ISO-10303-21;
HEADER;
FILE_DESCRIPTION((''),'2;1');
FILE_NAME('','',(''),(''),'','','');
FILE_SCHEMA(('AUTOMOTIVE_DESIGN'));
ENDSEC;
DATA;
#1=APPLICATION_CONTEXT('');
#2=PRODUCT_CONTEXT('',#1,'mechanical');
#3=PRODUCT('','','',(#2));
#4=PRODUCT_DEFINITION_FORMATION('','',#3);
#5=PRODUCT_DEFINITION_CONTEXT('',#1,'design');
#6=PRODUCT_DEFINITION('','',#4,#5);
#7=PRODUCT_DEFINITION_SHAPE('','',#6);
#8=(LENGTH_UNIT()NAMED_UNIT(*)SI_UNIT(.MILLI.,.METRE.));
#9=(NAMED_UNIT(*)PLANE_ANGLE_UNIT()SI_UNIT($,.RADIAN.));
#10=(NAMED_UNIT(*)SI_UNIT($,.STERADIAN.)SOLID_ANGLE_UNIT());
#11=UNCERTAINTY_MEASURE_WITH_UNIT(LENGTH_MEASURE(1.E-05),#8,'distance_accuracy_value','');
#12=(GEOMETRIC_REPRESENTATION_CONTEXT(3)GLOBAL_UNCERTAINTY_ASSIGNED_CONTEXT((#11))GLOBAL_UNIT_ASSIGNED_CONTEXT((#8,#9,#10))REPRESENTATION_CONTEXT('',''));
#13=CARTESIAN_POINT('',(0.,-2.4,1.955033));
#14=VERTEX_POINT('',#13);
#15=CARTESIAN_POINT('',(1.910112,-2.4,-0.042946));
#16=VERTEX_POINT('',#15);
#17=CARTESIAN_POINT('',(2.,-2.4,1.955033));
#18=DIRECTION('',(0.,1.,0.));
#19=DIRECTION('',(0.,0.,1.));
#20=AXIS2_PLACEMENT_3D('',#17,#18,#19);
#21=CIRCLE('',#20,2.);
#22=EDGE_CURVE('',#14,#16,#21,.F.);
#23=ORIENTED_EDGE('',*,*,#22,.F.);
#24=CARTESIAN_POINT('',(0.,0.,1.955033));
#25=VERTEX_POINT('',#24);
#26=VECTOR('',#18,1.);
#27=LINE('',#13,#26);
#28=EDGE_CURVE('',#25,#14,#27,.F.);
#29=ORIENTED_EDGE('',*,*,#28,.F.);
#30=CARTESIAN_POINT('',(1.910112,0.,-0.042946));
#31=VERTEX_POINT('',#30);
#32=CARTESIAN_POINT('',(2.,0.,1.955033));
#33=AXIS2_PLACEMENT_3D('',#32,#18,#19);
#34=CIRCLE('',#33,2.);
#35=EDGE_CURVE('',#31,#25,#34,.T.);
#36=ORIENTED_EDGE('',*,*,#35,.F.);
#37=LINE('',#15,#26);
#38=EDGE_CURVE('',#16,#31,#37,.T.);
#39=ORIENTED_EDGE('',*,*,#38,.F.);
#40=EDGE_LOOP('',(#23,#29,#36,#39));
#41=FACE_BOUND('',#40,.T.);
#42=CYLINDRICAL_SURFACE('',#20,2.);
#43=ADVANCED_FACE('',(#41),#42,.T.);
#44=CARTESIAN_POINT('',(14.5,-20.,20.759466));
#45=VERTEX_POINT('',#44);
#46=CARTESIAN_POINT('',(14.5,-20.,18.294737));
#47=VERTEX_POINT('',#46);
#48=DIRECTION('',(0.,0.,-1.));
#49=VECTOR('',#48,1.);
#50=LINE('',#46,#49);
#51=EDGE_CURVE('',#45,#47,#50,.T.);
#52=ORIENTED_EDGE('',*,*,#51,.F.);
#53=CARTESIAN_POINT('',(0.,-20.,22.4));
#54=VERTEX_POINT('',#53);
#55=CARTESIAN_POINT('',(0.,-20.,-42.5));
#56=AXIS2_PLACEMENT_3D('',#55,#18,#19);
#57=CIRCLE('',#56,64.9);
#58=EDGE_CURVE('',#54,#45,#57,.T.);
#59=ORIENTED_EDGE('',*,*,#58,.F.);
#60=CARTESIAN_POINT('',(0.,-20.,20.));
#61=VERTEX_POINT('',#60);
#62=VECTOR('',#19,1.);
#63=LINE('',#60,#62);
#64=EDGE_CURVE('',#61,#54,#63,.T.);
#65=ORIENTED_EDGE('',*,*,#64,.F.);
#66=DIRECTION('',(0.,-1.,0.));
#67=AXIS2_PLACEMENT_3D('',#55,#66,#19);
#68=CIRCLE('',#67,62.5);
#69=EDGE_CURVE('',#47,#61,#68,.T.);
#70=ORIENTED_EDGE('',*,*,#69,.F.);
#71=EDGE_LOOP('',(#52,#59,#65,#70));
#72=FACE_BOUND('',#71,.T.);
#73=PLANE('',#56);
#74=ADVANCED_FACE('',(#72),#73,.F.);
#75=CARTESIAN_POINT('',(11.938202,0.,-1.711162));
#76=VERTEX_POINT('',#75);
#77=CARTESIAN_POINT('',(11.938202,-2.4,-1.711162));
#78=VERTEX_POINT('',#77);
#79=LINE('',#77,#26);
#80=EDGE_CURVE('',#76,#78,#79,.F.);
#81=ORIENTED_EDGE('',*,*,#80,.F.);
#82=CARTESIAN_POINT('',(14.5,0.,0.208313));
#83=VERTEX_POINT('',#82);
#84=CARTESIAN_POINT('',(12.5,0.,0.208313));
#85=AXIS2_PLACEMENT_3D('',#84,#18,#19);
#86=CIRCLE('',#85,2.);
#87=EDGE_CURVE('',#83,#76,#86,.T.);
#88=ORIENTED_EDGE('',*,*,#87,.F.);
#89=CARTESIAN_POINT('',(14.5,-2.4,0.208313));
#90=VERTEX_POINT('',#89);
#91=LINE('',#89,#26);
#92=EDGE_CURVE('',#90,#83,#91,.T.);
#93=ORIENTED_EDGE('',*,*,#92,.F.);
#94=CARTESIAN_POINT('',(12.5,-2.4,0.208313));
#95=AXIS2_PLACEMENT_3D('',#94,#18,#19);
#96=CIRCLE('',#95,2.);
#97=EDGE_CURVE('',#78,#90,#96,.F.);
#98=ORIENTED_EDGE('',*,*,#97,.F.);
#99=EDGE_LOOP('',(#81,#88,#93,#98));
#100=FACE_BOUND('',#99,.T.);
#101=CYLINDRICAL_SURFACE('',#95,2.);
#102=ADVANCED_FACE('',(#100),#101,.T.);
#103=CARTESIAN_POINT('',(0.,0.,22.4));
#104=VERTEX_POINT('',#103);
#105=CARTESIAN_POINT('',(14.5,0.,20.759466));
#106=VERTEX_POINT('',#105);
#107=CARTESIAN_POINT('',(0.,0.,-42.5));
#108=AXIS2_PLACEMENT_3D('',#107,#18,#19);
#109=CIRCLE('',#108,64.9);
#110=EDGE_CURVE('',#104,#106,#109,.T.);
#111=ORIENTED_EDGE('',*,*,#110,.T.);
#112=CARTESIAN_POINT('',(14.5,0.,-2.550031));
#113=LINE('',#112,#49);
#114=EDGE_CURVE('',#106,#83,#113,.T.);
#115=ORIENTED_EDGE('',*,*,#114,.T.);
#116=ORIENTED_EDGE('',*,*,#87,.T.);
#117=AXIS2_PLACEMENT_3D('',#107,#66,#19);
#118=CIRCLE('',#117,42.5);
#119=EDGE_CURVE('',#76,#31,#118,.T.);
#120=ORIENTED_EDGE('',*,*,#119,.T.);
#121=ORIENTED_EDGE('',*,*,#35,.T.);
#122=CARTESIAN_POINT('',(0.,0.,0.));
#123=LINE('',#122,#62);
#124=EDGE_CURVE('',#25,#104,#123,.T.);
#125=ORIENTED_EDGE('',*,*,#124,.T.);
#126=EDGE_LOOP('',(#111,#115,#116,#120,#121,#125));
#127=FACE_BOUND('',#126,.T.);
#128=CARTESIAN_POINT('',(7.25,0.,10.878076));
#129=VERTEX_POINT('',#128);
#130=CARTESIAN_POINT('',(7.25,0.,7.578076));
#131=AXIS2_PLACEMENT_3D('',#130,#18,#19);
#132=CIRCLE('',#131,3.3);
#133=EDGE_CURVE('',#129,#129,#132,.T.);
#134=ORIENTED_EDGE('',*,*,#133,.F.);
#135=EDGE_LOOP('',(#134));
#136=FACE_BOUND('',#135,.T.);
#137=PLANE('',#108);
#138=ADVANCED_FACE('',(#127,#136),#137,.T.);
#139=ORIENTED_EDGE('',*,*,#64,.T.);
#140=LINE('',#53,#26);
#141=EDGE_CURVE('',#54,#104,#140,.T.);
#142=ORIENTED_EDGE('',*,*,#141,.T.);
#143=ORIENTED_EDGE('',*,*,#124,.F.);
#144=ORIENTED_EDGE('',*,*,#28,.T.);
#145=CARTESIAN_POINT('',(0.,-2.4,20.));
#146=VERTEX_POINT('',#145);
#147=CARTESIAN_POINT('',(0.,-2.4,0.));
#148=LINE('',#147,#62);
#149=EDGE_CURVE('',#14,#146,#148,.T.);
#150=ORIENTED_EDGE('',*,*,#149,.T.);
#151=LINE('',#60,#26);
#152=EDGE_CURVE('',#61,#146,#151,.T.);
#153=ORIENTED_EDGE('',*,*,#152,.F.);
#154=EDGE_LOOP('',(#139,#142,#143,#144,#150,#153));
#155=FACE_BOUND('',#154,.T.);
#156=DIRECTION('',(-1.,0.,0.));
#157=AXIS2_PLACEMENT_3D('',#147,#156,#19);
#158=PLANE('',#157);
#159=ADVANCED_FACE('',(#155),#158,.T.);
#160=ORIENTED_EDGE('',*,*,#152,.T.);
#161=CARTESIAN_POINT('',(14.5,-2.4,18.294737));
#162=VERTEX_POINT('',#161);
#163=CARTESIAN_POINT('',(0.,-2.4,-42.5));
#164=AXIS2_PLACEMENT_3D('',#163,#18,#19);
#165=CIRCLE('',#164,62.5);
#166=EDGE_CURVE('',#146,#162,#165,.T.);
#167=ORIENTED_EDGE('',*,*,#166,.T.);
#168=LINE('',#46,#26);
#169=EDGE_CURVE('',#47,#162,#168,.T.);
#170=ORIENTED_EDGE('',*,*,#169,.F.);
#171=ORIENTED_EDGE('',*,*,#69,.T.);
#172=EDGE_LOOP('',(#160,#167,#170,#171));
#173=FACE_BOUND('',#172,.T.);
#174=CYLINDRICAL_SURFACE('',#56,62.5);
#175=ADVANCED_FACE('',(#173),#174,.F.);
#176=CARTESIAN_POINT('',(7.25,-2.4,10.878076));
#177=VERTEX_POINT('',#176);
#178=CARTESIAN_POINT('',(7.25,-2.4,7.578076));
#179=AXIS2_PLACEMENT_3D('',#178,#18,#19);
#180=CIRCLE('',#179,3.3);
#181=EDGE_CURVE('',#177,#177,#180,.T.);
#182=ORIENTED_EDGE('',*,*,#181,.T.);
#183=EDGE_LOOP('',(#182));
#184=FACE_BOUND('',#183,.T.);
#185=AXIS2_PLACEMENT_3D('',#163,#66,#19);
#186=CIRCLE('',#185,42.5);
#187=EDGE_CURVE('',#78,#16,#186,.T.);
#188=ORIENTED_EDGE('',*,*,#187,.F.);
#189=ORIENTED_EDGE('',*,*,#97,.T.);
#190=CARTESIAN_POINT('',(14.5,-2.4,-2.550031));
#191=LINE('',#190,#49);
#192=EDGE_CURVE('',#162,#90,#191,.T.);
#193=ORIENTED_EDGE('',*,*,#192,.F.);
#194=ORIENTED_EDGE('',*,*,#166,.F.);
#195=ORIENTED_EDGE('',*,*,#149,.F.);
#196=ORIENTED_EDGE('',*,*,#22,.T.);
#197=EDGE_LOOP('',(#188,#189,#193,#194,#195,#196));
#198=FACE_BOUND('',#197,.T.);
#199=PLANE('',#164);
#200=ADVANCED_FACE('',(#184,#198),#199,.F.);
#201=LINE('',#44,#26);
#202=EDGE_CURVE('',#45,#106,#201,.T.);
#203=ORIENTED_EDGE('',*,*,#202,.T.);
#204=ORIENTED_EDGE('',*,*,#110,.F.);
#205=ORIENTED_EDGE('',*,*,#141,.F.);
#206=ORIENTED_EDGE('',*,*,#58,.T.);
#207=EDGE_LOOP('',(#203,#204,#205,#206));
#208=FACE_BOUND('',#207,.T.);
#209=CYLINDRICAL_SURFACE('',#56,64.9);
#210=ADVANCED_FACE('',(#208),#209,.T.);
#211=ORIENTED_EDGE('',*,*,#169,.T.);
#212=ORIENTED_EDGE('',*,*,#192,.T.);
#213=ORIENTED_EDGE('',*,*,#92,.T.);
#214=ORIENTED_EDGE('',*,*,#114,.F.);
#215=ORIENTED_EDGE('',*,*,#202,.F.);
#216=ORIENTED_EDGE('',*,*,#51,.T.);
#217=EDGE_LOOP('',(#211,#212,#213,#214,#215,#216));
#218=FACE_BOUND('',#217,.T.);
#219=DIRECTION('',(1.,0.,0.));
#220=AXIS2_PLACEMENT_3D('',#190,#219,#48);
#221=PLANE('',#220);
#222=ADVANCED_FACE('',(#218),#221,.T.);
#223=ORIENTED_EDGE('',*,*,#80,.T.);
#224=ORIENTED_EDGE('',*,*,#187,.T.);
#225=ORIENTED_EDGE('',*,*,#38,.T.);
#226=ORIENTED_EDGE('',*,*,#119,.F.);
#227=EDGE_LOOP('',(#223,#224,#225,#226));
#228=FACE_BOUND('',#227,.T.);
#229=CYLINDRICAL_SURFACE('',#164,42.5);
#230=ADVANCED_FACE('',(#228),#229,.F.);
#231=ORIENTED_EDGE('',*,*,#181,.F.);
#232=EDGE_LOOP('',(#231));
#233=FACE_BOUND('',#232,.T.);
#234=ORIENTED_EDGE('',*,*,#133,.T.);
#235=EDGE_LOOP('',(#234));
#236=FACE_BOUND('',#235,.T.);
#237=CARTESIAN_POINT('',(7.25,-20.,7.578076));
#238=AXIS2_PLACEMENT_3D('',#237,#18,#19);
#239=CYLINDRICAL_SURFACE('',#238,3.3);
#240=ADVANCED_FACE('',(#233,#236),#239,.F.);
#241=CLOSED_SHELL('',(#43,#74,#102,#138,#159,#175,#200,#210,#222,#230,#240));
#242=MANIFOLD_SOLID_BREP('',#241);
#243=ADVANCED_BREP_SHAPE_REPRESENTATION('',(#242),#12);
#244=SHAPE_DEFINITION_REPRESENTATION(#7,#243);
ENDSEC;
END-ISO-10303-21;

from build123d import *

# Parameters (mm, degrees)
BOSS_EXTRUDE1_DEPTH = 2.4
BOSS_EXTRUDE3_DEPTH = 20
FILLET2_R           = 2
SKETCH7_R           = 3.3
CUT_EXTRUDE1_DEPTH  = 34.346813941


with BuildPart() as part:
    # Sketch4 → Boss-Extrude1 (new body)
    with BuildSketch(Plane(origin=(0, 0, 0), x_dir=(1, 0, 0), z_dir=(0, 1, 0))):
        with BuildLine():
            Line((0, 0), (0, -20))
            ThreePointArc((0, -20), (7.299964439, -19.572220189), (14.5, -18.294736614))
            Line((14.5, -18.294736614), (14.5, 2.550031289))
            ThreePointArc((14.5, 2.550031289), (7.361261094, 0.642362285), (0, 0))
        make_face()
    extrude(amount=-BOSS_EXTRUDE1_DEPTH)

    # Sketch6 → Boss-Extrude3 (add)
    with BuildSketch(Plane(origin=(0, 0, 0), x_dir=(1, 0, 0), z_dir=(0, 1, 0))):
        with BuildLine():
            Line((0, -20), (0, -22.4))
            ThreePointArc((0, -22.4), (7.296255081, -21.988562256), (14.5, -20.759465695))
            Line((14.5, -20.759465695), (14.5, -18.294736614))
            ThreePointArc((14.5, -18.294736614), (7.299964439, -19.572220189), (0, -20))
        make_face()
    extrude(amount=-BOSS_EXTRUDE3_DEPTH)

    # Fillet2
    fillet2_edges = [part.edges().sort_by_distance(p)[0] for p in [
        (14.5, -1.2, -2.550031289),
        (0, -1.2, 0),
    ]]
    fillet(fillet2_edges, radius=FILLET2_R)

    # Sketch7 → Cut-Extrude1 (cut, through all)
    with BuildSketch(Plane(origin=(0, 0, 0), x_dir=(1, 0, 0), z_dir=(0, 1, 0))):
        with Locations(Location((7.25, -7.57807584, 0), (0, 0, 270))):
            Circle(SKETCH7_R)
    extrude(amount=-CUT_EXTRUDE1_DEPTH, mode=Mode.SUBTRACT)


solid = part.part
